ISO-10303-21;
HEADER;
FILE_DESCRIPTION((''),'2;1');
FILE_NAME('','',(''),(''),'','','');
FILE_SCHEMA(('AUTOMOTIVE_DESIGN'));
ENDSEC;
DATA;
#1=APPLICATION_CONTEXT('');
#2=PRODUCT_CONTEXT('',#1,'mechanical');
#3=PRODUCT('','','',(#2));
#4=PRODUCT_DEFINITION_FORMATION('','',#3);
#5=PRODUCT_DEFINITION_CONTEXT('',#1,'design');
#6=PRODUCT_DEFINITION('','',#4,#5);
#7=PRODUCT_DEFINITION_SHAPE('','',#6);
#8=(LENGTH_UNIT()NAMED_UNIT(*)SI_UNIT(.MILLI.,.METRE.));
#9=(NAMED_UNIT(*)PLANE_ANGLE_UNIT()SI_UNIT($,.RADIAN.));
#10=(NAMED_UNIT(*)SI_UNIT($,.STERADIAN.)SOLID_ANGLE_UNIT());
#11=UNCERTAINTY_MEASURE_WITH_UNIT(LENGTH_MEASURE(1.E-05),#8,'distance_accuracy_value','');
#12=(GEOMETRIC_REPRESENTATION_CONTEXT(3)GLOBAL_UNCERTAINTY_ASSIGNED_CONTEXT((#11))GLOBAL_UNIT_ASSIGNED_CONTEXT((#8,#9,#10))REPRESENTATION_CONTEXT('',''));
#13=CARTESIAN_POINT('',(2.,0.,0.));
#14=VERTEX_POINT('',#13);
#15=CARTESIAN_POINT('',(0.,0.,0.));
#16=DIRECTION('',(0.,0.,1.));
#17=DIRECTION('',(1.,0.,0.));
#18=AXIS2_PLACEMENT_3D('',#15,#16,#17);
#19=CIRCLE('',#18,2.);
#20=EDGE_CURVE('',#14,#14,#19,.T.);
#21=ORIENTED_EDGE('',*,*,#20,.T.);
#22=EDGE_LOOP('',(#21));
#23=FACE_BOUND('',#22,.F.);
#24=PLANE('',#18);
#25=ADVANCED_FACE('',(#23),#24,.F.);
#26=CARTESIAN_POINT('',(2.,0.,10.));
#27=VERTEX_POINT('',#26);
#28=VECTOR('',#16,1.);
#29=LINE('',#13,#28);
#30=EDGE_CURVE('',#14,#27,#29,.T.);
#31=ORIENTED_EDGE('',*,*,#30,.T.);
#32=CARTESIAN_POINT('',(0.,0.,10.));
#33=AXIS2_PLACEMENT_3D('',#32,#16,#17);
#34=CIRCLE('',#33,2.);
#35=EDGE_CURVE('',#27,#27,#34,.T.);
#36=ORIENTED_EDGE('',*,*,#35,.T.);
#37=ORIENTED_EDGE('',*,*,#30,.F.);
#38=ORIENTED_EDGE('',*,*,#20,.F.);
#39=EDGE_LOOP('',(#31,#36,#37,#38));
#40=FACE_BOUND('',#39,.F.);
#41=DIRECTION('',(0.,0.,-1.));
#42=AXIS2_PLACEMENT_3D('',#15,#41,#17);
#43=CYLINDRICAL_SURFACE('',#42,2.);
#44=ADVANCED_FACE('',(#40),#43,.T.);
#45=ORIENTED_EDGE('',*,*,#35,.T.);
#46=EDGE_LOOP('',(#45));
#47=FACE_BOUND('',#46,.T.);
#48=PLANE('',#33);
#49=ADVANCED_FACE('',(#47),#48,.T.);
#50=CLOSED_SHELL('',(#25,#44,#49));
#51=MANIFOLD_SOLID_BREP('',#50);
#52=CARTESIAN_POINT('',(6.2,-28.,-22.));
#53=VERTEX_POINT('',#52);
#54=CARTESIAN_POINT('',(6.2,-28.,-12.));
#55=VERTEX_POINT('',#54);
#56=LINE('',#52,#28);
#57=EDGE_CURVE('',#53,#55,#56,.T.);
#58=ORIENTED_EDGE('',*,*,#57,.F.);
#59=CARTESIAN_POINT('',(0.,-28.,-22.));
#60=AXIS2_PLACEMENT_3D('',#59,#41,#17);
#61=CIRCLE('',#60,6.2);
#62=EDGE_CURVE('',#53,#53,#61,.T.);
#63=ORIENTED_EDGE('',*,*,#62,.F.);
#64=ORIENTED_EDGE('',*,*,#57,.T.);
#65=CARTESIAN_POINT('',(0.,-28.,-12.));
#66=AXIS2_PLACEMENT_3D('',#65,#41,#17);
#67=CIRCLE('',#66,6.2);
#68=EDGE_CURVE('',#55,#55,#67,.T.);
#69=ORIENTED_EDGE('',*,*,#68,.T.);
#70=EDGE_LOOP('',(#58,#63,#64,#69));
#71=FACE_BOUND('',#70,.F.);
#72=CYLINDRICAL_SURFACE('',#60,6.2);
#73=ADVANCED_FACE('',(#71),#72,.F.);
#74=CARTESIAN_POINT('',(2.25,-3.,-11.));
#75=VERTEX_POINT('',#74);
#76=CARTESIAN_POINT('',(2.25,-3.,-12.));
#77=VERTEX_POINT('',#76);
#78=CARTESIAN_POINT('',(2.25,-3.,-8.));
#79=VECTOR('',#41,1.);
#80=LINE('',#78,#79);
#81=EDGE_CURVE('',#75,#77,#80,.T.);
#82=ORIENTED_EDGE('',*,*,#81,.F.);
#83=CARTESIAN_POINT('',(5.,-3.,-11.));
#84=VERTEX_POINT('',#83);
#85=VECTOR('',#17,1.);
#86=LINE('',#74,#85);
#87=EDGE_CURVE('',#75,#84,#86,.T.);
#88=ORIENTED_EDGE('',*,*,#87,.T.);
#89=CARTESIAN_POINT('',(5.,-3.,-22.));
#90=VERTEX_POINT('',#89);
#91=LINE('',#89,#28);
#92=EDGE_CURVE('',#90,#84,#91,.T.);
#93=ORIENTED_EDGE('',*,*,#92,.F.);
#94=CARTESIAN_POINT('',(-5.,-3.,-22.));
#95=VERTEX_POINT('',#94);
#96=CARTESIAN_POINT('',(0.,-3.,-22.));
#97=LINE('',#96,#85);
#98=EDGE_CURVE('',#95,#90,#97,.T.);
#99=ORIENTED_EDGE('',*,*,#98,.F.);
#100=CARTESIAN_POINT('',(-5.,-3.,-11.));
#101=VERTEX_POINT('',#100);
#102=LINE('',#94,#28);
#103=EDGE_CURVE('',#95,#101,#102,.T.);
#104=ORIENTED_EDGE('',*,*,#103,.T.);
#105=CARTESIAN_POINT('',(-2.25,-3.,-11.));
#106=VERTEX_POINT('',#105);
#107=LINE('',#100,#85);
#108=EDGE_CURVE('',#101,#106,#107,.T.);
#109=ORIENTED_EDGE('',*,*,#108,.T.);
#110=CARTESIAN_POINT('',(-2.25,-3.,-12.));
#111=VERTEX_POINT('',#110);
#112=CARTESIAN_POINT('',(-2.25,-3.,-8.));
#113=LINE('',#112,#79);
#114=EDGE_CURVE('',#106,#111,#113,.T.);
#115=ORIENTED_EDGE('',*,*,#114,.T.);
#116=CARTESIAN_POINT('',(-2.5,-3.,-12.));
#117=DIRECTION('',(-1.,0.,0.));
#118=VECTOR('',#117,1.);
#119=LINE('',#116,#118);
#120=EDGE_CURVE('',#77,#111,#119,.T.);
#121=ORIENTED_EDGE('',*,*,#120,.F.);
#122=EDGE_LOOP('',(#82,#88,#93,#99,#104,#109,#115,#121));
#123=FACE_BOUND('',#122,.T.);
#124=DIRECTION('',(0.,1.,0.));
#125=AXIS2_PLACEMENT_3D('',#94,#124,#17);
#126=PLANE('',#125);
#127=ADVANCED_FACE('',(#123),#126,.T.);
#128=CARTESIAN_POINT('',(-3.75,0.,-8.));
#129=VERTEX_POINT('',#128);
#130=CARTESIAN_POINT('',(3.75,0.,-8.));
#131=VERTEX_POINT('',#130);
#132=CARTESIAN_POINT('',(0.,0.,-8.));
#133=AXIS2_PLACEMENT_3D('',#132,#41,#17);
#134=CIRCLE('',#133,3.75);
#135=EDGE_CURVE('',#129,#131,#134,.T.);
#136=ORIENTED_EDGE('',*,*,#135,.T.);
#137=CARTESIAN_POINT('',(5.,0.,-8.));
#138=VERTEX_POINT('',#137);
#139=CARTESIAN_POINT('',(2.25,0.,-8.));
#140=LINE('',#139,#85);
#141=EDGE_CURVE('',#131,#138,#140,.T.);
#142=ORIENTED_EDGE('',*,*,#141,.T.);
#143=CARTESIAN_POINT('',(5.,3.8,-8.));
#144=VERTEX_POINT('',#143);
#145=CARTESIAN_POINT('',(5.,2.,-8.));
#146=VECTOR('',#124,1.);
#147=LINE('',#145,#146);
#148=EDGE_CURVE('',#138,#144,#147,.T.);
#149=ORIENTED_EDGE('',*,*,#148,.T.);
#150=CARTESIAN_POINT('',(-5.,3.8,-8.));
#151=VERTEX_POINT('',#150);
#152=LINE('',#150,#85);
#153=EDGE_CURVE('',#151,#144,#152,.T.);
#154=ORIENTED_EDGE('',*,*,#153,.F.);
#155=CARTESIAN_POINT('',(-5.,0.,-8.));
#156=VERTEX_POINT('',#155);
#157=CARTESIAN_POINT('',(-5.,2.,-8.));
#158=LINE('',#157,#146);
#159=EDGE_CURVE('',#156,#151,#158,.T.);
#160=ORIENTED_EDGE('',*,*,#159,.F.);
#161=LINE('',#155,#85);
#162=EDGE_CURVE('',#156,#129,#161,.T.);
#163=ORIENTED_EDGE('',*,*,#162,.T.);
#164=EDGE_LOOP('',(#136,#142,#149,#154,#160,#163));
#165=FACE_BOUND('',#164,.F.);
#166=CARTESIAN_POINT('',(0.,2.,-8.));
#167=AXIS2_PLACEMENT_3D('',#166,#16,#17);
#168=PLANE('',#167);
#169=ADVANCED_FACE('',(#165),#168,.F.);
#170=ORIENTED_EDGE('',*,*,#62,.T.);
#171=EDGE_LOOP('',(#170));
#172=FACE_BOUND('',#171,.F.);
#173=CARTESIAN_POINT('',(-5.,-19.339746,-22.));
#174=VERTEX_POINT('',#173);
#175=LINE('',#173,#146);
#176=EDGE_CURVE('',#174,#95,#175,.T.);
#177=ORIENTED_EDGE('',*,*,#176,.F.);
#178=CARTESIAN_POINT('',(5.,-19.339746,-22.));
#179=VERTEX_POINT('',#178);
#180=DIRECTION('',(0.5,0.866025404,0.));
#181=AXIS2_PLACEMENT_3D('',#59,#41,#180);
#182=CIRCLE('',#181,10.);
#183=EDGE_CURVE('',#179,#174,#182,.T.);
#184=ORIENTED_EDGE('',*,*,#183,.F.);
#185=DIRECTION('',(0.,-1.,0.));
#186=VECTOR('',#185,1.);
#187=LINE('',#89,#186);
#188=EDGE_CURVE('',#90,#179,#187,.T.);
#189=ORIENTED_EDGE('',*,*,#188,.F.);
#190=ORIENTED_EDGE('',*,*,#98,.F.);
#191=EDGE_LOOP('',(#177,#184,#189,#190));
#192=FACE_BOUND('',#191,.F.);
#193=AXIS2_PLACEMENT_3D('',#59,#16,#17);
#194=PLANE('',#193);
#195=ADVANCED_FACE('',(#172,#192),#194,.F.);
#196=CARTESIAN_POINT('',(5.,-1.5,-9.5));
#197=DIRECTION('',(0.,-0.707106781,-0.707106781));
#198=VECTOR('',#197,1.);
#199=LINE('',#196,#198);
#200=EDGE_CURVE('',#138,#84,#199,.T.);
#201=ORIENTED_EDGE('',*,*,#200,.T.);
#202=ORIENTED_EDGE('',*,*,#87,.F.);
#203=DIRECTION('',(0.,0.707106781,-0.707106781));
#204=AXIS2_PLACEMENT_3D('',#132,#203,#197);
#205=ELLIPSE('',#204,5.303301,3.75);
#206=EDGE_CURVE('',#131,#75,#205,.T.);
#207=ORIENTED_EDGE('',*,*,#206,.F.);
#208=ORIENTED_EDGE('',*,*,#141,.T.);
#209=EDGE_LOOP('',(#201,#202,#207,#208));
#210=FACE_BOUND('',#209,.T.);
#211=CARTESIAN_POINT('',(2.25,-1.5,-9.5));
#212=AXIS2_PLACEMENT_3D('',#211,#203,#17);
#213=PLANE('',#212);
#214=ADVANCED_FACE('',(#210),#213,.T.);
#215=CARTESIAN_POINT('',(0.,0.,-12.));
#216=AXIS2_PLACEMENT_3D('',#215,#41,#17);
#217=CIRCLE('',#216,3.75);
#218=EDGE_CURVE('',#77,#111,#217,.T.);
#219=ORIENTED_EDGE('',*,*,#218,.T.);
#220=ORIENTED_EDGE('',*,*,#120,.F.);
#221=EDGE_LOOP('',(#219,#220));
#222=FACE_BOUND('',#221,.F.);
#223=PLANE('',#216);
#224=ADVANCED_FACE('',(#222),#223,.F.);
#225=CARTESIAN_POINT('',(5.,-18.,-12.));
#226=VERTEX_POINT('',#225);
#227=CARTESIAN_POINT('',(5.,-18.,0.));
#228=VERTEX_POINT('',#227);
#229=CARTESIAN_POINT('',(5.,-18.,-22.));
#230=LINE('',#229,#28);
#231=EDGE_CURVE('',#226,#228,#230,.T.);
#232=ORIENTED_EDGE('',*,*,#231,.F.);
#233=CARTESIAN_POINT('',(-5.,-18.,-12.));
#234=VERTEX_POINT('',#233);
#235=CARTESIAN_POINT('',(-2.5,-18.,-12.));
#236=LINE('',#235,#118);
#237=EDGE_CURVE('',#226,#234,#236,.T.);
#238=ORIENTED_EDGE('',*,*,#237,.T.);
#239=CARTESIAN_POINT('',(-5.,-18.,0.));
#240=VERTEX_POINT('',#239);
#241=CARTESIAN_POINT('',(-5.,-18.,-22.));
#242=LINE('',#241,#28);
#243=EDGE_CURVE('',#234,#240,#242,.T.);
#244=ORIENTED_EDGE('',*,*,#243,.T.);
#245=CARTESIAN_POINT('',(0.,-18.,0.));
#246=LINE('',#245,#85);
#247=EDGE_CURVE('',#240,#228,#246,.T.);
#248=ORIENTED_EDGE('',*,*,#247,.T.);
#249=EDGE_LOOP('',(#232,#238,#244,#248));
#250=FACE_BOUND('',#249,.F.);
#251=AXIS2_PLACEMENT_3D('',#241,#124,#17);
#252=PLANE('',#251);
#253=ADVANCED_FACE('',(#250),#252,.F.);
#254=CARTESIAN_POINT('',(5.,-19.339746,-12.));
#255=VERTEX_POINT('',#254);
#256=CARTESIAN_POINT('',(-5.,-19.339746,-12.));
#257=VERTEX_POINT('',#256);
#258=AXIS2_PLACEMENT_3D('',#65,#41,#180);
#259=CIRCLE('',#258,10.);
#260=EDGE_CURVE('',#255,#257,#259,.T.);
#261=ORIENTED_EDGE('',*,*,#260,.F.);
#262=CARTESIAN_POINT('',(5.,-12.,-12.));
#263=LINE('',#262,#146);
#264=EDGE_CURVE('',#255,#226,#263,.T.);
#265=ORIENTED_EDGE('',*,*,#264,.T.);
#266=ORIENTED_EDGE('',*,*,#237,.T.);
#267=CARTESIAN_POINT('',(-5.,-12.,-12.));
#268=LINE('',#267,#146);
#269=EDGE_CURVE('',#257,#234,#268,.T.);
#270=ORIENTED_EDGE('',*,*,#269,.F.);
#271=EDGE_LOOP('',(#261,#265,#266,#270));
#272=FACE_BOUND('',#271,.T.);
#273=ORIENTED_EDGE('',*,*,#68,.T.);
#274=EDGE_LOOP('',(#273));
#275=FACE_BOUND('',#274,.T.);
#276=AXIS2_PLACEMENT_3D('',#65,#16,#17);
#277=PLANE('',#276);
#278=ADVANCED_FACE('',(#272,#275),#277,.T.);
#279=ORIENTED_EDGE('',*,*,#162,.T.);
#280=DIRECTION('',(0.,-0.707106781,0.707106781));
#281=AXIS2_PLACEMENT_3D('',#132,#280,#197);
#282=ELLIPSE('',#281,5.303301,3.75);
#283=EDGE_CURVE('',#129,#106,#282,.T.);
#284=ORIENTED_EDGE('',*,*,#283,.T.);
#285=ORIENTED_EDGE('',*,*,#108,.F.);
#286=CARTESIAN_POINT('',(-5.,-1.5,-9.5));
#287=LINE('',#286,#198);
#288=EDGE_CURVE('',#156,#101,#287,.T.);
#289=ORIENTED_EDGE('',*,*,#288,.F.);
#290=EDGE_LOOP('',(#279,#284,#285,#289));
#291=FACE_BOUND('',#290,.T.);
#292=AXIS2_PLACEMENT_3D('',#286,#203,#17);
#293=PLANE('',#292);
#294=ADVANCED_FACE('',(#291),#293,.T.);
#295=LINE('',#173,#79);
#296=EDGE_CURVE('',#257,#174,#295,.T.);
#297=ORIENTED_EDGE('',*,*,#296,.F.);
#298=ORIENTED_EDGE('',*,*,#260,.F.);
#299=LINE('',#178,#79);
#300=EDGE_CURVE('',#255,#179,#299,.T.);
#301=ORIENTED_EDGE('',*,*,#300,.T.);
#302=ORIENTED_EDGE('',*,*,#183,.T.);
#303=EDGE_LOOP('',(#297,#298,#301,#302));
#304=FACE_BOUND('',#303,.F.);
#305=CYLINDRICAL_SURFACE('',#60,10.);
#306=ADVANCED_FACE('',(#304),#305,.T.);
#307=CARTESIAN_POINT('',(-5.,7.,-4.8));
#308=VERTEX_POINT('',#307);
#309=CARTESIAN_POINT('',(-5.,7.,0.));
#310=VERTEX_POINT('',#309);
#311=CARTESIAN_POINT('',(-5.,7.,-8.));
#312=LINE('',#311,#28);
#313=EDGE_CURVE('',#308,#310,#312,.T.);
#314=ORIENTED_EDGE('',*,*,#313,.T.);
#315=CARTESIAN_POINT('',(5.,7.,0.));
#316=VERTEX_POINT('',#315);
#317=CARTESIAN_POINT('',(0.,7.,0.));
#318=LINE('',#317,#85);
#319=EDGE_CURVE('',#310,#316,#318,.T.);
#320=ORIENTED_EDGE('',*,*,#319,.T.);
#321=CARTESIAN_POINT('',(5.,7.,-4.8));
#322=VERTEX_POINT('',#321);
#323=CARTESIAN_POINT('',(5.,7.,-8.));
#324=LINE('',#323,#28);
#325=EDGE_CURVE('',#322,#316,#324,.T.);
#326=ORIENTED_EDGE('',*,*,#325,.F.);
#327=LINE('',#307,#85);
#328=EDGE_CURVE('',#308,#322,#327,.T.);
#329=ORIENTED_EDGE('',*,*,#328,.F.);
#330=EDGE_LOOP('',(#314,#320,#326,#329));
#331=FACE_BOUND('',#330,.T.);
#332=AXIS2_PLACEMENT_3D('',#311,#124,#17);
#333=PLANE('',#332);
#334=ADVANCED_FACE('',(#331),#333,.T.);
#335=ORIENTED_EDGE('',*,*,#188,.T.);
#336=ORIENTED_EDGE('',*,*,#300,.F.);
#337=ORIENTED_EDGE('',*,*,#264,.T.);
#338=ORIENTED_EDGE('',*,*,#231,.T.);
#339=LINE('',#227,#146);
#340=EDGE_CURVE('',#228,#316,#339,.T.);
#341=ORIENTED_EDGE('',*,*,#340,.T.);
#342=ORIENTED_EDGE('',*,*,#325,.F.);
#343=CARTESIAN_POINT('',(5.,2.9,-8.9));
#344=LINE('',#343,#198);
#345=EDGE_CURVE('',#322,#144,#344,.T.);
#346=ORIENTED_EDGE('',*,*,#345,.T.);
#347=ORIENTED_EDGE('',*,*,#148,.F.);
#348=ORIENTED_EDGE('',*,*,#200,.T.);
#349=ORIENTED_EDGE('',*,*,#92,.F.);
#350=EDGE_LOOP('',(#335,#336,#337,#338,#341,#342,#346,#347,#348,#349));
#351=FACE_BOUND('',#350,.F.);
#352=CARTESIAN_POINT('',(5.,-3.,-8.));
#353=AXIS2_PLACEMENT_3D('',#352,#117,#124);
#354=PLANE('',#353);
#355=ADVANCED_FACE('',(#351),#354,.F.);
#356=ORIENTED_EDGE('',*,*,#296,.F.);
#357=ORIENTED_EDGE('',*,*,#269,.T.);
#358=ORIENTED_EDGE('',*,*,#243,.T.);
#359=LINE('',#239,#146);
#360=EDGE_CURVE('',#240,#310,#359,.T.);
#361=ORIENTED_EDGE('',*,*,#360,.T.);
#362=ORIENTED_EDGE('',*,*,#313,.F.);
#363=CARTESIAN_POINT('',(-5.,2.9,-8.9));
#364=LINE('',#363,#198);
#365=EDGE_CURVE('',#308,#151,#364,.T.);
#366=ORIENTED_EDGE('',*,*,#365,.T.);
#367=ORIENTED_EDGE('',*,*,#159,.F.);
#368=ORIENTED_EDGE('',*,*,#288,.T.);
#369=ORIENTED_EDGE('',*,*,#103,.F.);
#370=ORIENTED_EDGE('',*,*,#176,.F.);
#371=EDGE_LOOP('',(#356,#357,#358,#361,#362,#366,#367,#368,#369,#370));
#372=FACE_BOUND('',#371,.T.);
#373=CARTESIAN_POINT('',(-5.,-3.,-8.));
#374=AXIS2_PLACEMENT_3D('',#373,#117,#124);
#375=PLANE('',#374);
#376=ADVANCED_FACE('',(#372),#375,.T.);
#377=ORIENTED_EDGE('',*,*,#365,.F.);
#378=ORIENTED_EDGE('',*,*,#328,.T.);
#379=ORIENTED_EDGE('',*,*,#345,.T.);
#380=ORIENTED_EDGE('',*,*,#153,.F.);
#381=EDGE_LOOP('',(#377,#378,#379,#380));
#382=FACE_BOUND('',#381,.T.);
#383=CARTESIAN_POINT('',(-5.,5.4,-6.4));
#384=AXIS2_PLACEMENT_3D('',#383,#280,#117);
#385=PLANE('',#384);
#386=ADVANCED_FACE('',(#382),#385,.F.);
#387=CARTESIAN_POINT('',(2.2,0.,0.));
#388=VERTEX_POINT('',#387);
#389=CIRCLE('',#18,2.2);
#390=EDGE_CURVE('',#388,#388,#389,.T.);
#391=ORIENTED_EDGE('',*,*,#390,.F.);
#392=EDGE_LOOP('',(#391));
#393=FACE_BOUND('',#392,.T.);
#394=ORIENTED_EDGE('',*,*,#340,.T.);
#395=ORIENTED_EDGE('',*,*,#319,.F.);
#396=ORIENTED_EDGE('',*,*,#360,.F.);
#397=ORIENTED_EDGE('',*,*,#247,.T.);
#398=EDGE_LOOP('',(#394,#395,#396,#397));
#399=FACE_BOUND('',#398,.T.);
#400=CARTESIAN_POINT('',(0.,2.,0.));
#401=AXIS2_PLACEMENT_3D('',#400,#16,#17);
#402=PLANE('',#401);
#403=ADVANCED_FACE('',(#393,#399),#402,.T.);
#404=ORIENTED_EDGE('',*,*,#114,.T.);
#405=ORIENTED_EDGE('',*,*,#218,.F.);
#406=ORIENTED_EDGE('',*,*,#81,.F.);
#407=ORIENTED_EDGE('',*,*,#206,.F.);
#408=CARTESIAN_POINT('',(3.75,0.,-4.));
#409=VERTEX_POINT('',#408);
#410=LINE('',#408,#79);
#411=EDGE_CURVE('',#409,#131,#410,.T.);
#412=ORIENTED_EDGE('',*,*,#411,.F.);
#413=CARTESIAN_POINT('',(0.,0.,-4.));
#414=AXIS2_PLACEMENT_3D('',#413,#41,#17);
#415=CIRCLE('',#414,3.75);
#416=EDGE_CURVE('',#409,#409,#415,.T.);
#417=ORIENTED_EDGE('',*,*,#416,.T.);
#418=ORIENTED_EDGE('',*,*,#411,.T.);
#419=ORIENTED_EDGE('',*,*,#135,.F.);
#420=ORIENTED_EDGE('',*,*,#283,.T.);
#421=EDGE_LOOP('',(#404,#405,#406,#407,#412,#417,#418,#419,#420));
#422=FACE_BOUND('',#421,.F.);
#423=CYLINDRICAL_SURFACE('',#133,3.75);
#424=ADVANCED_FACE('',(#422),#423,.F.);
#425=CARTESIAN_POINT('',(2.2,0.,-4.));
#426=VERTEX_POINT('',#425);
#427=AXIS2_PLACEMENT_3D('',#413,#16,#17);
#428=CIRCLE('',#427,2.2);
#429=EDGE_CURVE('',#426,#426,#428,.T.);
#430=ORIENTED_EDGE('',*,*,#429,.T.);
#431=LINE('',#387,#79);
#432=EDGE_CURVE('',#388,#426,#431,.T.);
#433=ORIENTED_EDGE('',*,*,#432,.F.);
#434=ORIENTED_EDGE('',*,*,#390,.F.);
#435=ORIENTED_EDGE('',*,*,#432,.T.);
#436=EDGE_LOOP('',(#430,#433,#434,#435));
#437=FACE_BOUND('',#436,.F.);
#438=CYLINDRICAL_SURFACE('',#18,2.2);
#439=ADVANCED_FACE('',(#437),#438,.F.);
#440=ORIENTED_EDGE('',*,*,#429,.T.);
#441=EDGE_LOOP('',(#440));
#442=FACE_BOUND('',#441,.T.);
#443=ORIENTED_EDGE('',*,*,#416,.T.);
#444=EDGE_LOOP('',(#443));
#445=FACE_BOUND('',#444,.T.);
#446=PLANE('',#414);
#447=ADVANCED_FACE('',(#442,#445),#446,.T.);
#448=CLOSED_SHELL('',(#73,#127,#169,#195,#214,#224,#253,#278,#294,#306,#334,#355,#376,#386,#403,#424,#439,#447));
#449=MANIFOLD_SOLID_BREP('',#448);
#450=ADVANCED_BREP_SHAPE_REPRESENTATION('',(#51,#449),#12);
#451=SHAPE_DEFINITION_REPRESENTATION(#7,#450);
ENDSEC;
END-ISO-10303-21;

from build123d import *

# Parameters (mm, degrees)
CYLINDER_R        = 2
CYLINDER_DEPTH    = 10
BOX001_W          = 10
BOX001_H          = 16
BOX001_DEPTH      = 10
BOX002_W          = 10
BOX002_H          = 15
BOX002_DEPTH      = 22
BOX_W             = 10
BOX_H             = 10
BOX_DEPTH         = 8
CYLINDER001_R     = 10
CYLINDER001_DEPTH = 10
SKETCH_R          = 2.2
POCKET_DEPTH      = 14
SKETCH001_R       = 3.75
POCKET001_DEPTH   = 4
CHAMFER_SIZE      = 3.2
CHAMFER001_SIZE   = 3
SKETCH002_R       = 6.2
POCKET002_DEPTH   = 14


with BuildPart() as cylinder:
    # Cylinder → Cylinder (new body)
    with BuildSketch(Plane.XY):
        Circle(CYLINDER_R)
    extrude(amount=CYLINDER_DEPTH)


with BuildPart() as box001:
    # Box001 → Box001 (new body)
    with BuildSketch(Plane(origin=(-5, -20, -22), x_dir=(1, 0, 0), z_dir=(0, 0, 1))):
        with Locations((5, 8)):
            Rectangle(BOX001_W, BOX001_H)
    extrude(amount=BOX001_DEPTH)


with BuildPart() as box002:
    # Box002 → Box002 (new body)
    with BuildSketch(Plane(origin=(-5, -18, -22), x_dir=(1, 0, 0), z_dir=(0, 0, 1))):
        with Locations((5, 7.5)):
            Rectangle(BOX002_W, BOX002_H)
    extrude(amount=BOX002_DEPTH)


with BuildPart() as box:
    # Box → Box (new body)
    with BuildSketch(Plane(origin=(-5, -3, -8), x_dir=(1, 0, 0), z_dir=(0, 0, 1))):
        with Locations((5, 5)):
            Rectangle(BOX_W, BOX_H)
    extrude(amount=BOX_DEPTH)


with BuildPart() as pocket002:
    # Cylinder001 → Cylinder001 (new body)
    with BuildSketch(Plane(origin=(0, -28, -22), x_dir=(1, 0, 0), z_dir=(0, 0, 1))):
        Circle(CYLINDER001_R)
    extrude(amount=CYLINDER001_DEPTH)

    # Fusion: union Box001, Box002, Box
    add(box001.part)
    add(box002.part)
    add(box.part)

    # Sketch → Pocket (cut)
    with BuildSketch(Plane.XY):
        Circle(SKETCH_R)
    extrude(amount=-POCKET_DEPTH, mode=Mode.SUBTRACT)

    # Sketch001 → Pocket001 (cut, symmetric)
    with BuildSketch(Plane(origin=(0, 0, -8), x_dir=(1, 0, 0), z_dir=(0, 0, -1))):
        Circle(SKETCH001_R)
    extrude(amount=POCKET001_DEPTH, both=True, mode=Mode.SUBTRACT)

    # Chamfer
    chamfer_edges = [pocket002.edges().sort_by_distance(p)[0] for p in [
        (0, 7, -8),
    ]]
    chamfer(chamfer_edges, length=CHAMFER_SIZE)

    # Chamfer001
    chamfer001_edges = [pocket002.edges().sort_by_distance(p)[0] for p in [
        (-3.625, -3, -8),
        (3.625, -3, -8),
    ]]
    chamfer(chamfer001_edges, length=CHAMFER001_SIZE)

    # Sketch002 → Pocket002 (cut)
    with BuildSketch(Plane(origin=(0, 0, -22), x_dir=(1, 0, 0), z_dir=(0, 0, -1))):
        with Locations((0, 28)):
            Circle(SKETCH002_R)
    extrude(amount=-POCKET002_DEPTH, mode=Mode.SUBTRACT)


solid = Compound([cylinder.part, pocket002.part])
